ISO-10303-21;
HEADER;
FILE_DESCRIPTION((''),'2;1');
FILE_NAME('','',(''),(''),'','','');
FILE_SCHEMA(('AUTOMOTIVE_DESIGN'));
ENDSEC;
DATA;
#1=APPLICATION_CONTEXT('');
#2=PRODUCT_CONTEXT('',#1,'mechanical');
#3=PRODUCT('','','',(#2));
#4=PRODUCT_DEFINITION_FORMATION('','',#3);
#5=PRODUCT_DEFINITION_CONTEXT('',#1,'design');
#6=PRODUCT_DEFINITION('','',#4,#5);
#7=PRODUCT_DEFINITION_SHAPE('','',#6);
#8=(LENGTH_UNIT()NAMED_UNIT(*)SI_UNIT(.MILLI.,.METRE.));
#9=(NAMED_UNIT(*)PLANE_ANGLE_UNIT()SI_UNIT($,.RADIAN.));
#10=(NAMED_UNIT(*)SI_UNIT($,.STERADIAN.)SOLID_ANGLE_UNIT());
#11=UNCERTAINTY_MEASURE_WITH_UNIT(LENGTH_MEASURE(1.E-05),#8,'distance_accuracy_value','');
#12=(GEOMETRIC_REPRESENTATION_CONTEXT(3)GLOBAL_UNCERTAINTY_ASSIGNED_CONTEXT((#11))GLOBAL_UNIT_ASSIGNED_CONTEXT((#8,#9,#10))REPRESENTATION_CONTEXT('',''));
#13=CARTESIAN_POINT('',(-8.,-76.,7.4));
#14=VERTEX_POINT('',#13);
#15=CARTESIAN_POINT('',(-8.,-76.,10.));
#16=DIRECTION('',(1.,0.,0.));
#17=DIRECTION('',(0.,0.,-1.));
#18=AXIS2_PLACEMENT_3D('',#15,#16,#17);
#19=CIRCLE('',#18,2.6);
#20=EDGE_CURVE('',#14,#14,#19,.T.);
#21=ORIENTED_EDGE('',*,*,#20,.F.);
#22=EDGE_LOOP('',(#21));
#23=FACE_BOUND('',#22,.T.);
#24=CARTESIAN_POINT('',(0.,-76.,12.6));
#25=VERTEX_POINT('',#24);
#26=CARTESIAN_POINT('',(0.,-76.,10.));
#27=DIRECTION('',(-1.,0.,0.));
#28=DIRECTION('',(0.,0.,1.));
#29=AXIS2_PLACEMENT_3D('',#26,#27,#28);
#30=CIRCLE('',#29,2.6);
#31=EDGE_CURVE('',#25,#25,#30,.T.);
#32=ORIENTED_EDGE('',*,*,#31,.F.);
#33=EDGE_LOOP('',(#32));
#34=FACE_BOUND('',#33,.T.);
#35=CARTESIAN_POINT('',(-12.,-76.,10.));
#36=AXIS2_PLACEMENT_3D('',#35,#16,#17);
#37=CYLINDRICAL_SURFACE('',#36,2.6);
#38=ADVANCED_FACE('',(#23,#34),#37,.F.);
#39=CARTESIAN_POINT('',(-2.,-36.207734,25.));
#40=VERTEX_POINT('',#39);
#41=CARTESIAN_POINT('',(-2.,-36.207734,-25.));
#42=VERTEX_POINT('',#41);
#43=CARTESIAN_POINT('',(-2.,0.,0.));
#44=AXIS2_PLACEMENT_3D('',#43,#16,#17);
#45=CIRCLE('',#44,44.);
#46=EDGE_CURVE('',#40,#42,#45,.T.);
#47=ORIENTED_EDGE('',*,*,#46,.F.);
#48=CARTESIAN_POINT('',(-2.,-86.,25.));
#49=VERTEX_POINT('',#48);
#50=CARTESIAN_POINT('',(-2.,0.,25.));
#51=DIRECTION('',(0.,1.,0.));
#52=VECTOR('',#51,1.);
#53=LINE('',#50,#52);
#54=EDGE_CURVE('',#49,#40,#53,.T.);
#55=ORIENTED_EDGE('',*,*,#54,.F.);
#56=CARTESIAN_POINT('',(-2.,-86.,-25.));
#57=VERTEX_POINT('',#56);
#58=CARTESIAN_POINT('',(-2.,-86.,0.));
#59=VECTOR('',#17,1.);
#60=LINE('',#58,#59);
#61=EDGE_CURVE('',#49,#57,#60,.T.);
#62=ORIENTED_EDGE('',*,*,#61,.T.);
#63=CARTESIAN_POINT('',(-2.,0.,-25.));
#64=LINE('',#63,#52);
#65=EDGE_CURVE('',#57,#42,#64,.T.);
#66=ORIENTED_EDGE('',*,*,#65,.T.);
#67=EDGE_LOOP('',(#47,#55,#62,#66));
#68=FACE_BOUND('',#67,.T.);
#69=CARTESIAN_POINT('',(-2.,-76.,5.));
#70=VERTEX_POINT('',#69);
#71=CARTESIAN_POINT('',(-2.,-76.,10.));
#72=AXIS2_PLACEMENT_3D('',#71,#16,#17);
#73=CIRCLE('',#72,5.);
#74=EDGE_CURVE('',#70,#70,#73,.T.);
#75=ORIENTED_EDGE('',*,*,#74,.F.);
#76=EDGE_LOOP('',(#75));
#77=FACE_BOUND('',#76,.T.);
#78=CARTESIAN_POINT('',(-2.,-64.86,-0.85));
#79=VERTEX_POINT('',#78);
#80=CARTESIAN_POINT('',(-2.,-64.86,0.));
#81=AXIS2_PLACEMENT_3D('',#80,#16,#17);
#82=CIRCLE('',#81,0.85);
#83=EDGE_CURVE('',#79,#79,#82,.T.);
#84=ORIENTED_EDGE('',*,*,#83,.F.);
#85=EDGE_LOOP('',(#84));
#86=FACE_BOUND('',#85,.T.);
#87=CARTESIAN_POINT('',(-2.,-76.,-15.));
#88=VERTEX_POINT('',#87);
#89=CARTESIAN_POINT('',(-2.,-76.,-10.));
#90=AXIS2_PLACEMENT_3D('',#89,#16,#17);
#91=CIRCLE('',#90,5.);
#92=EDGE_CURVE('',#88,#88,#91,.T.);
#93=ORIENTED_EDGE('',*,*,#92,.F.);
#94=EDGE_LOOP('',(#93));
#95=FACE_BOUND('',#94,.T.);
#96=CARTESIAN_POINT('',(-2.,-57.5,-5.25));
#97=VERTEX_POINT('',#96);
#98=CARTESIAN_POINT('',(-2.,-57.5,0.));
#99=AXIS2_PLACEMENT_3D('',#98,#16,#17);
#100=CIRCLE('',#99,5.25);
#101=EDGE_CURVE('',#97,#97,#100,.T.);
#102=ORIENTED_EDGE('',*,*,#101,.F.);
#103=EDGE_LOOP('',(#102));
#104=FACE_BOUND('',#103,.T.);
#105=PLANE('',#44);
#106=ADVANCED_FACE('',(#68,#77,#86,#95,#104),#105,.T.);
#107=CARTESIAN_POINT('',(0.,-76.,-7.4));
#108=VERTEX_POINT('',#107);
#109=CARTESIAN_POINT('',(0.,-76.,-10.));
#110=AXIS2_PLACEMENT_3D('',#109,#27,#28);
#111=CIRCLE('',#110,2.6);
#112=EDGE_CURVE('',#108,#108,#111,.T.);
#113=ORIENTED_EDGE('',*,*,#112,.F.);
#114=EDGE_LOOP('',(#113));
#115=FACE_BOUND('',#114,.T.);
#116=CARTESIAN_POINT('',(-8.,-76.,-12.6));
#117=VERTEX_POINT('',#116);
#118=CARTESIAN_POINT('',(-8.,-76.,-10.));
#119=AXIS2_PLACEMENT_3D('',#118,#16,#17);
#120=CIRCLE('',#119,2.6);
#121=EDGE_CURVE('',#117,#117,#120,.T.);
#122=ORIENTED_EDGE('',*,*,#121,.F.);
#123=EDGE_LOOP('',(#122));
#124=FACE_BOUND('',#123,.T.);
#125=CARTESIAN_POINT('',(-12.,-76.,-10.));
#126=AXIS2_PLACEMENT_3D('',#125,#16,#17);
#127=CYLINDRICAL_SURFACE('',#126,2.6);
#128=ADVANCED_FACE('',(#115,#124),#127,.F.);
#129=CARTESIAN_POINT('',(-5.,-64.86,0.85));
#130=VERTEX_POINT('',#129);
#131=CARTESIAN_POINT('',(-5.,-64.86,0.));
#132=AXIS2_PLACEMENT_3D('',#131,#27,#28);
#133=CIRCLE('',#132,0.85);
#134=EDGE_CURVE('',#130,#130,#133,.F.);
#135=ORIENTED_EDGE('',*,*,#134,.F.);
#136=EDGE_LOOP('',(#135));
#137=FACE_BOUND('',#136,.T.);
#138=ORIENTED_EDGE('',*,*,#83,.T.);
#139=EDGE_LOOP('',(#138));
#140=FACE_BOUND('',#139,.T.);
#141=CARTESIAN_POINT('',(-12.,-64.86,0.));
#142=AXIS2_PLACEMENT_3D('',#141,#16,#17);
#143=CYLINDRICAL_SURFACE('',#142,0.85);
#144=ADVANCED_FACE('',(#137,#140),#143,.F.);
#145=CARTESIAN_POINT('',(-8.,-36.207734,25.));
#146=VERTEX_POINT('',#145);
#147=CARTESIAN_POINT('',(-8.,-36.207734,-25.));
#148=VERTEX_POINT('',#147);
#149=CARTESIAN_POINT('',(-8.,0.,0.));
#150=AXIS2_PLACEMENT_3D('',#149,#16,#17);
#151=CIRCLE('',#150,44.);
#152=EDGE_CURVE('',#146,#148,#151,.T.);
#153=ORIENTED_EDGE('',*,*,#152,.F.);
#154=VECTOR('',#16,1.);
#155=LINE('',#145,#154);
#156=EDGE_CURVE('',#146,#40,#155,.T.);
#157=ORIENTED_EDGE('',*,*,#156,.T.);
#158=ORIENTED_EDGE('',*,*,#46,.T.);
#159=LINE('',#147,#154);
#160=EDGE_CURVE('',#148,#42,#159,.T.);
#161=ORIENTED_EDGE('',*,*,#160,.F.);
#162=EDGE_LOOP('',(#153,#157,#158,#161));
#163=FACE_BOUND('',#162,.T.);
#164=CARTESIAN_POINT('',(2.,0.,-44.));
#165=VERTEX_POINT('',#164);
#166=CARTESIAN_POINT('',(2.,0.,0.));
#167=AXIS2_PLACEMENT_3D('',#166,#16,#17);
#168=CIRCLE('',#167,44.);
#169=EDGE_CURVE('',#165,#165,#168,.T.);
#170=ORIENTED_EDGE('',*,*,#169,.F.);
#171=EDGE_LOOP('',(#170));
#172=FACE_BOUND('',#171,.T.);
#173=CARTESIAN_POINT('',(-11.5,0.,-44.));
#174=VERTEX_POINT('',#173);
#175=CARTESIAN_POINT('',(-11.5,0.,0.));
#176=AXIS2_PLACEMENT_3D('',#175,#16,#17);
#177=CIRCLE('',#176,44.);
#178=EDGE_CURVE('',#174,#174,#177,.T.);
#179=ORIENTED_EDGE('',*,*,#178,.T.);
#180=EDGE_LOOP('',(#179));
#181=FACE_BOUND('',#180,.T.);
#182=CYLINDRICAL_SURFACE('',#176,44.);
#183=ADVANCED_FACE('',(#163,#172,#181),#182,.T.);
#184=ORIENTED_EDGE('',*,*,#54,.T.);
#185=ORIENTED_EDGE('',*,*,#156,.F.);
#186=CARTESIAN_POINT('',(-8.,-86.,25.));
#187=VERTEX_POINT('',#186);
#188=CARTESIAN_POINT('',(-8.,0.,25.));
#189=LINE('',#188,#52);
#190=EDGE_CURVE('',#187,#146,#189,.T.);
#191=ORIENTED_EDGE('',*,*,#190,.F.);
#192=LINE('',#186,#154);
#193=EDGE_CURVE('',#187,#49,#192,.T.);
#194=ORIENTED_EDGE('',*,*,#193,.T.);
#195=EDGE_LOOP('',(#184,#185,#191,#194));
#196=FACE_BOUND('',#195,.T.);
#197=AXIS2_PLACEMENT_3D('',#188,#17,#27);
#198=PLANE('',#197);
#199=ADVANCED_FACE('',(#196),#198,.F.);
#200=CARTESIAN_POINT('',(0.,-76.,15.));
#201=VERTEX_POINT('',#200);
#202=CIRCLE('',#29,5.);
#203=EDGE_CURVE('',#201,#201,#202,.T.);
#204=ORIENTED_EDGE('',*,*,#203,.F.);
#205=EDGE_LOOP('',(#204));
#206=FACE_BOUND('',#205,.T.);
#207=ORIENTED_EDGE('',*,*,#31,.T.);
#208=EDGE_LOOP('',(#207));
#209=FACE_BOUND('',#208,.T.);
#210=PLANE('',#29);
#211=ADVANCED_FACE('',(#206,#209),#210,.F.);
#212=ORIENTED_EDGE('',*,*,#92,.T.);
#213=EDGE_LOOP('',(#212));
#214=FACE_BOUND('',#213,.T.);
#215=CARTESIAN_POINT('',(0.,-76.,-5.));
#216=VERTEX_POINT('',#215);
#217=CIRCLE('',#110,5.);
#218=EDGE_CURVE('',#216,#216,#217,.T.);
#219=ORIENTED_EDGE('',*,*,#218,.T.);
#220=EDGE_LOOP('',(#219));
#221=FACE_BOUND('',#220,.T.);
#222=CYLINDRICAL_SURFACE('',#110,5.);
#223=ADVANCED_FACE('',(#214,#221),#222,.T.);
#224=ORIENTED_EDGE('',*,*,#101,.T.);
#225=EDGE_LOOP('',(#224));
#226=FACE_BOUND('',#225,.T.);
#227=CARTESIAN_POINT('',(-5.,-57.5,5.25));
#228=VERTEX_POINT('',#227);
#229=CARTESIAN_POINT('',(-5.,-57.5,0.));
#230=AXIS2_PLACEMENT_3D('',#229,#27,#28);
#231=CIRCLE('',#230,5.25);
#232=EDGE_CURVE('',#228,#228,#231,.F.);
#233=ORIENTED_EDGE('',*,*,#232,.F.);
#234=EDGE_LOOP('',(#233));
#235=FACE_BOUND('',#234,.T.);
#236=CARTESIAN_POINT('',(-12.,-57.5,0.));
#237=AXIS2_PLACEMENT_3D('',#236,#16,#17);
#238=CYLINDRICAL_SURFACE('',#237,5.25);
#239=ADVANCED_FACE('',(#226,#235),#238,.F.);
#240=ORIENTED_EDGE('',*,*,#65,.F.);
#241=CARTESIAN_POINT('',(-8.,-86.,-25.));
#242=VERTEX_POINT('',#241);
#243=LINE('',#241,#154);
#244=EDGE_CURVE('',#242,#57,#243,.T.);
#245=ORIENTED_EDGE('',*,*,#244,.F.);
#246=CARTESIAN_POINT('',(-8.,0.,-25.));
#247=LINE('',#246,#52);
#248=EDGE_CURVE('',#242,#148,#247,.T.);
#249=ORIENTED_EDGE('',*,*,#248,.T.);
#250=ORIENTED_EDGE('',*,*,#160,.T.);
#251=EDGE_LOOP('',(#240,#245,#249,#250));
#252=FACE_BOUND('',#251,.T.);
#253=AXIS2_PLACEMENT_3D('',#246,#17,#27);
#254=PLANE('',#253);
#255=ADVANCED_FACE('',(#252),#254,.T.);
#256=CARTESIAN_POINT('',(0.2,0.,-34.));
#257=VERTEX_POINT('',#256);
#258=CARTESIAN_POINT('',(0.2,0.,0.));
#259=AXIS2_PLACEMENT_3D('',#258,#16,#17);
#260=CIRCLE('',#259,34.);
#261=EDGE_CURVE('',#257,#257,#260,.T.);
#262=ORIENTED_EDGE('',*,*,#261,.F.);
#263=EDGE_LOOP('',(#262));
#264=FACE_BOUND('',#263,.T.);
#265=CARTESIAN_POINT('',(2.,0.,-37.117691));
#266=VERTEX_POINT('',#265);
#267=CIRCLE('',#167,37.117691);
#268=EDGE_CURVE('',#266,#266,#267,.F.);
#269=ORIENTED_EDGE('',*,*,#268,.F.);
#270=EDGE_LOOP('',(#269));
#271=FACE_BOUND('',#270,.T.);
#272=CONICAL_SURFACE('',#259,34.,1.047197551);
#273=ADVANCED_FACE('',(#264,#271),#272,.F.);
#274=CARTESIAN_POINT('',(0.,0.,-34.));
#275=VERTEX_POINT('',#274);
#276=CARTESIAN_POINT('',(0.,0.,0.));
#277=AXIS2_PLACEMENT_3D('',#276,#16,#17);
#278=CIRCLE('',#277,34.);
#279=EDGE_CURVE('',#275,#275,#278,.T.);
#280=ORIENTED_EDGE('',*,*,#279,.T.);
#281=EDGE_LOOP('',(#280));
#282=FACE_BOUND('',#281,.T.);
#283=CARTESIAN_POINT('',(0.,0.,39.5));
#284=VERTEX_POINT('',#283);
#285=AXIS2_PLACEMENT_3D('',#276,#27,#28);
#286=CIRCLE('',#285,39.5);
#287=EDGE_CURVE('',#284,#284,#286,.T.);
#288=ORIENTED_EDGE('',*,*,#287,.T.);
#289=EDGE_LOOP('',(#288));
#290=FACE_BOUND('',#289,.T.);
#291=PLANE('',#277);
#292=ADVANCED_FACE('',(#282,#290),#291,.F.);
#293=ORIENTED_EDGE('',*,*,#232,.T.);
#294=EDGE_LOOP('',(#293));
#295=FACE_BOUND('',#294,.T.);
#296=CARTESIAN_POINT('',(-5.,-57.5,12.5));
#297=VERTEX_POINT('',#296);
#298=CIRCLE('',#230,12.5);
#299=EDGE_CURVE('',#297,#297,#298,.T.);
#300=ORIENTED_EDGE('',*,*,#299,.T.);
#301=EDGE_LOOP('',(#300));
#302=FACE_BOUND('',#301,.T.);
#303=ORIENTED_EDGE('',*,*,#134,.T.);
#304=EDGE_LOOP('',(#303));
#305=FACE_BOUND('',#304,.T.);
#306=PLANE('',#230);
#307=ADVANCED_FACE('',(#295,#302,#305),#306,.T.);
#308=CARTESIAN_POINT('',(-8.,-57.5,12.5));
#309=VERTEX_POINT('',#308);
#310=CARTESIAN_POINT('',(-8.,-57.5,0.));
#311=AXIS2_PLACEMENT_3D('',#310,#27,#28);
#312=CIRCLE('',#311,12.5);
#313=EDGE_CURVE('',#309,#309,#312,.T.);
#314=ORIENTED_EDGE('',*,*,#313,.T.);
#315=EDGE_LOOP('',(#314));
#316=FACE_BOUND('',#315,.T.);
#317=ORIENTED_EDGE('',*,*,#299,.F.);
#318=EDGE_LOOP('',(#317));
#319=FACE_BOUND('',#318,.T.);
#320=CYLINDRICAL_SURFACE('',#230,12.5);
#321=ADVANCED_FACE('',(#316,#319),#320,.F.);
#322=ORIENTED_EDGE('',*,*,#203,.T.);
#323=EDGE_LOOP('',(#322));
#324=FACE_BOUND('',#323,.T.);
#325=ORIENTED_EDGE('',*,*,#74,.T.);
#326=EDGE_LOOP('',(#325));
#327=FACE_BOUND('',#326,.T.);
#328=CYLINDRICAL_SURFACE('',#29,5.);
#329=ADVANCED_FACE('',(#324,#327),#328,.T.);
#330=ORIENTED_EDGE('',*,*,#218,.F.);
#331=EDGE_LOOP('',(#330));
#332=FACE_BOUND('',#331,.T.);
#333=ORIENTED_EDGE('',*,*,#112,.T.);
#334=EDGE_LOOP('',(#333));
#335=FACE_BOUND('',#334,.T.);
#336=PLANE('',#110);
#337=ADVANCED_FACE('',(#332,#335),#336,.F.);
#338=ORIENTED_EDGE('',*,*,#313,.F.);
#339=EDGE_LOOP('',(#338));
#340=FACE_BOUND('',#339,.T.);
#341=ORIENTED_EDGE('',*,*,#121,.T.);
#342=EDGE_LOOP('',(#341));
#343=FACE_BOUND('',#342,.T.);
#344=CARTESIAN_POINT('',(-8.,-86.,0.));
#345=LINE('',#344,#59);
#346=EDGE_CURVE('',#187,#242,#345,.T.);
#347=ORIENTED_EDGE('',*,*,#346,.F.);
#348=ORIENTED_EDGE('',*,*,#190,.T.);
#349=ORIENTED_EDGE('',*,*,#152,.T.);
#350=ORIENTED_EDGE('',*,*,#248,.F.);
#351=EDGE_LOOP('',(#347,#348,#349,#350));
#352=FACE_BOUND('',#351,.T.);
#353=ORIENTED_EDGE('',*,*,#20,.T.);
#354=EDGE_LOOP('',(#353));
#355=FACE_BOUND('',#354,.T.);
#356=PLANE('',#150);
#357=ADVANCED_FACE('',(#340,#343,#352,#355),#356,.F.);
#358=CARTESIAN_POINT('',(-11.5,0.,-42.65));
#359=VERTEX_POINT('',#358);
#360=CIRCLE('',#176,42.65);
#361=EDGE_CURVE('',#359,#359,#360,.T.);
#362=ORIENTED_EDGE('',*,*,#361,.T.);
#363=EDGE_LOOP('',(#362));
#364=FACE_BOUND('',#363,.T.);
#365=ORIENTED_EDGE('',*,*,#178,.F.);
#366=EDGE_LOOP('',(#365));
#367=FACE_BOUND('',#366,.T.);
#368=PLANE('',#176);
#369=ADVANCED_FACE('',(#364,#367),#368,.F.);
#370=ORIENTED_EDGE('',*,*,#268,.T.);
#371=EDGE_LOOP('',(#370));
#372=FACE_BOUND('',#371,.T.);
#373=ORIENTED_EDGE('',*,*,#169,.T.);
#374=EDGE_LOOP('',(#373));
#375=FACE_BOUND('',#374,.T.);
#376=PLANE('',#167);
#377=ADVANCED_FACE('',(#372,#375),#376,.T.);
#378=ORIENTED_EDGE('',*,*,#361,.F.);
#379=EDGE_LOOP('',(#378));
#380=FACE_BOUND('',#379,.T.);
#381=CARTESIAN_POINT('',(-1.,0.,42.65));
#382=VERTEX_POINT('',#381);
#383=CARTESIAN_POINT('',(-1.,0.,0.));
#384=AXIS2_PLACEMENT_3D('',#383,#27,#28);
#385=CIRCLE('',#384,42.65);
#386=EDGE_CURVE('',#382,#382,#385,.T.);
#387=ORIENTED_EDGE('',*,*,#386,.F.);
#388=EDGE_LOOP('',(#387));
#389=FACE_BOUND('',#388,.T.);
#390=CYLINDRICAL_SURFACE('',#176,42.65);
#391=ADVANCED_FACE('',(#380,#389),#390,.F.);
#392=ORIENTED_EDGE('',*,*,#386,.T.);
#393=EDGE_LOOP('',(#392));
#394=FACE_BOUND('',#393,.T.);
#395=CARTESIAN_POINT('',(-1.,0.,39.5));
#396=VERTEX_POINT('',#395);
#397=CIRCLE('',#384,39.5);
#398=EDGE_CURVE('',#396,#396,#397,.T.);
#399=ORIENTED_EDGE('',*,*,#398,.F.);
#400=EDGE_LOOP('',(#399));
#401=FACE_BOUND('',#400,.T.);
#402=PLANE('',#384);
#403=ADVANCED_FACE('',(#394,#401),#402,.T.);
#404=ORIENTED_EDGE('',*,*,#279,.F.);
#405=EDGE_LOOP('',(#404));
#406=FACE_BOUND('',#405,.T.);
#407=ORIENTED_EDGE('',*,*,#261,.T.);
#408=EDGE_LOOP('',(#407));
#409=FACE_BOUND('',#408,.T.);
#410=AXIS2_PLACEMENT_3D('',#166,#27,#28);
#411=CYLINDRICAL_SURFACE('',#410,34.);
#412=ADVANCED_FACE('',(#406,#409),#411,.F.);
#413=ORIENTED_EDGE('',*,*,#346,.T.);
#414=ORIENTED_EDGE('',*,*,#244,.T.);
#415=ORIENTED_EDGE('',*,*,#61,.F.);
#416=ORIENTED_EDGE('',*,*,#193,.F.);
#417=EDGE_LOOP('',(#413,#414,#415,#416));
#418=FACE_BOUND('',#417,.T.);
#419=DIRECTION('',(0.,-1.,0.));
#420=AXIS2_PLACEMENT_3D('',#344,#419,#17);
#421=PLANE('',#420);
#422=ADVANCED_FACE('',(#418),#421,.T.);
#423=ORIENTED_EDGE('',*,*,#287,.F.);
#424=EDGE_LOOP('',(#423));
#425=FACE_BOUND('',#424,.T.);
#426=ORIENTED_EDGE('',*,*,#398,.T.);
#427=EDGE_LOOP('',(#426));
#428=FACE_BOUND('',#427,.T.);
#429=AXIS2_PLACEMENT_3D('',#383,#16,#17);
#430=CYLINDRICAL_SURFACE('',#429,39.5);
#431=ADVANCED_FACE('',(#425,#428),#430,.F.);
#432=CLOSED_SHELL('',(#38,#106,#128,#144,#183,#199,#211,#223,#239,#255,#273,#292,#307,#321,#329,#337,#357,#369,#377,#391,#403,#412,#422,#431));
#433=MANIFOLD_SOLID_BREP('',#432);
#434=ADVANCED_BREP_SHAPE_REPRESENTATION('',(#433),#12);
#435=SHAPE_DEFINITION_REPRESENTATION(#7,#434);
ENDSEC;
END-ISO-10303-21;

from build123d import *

# Parameters (mm, degrees)
SKETCH1_R           = 44
SKETCH1_R_2         = 42.65
BOSS_EXTRUDE1_DEPTH = 11.5
BOSS_EXTRUDE2_START = 2
SKETCH1_2_R         = 44
SKETCH1_2_R_2       = 34
BOSS_EXTRUDE2_DEPTH = 2
BOSS_EXTRUDE3_DEPTH = 6
SKETCH7_R           = 42.65
SKETCH7_R_2         = 39.5
BOSS_EXTRUDE4_DEPTH = 1
SKETCH8_R           = 5.25
SKETCH8_R_2         = 0.85
SKETCH8_R_3         = 2.6
CUT_EXTRUDE3_DEPTH  = 10
SKETCH9_R           = 12.5
CUT_EXTRUDE4_DEPTH  = 3
CHAMFER1_SIZE       = 1.8
CHAMFER1_SIZE2      = 3.117691454
BOSS_EXTRUDE5_START = -2
SKETCH11_R          = 5
SKETCH11_R_2        = 2.6
BOSS_EXTRUDE5_DEPTH = 2


with BuildPart() as part:
    # Sketch1 → Boss-Extrude1 (new body)
    with BuildSketch(Plane(origin=(0, 0, 0), x_dir=(0, 0, -1), z_dir=(1, 0, 0))):
        Circle(SKETCH1_R)
        Circle(SKETCH1_R_2, mode=Mode.SUBTRACT)
    extrude(amount=-BOSS_EXTRUDE1_DEPTH)

    # Sketch1<2> → Boss-Extrude2 (add)
    with BuildSketch(Plane(origin=(0, 0, 0), x_dir=(0, 0, -1), z_dir=(1, 0, 0)).offset(BOSS_EXTRUDE2_START)):
        Circle(SKETCH1_2_R)
        Circle(SKETCH1_2_R_2, mode=Mode.SUBTRACT)
    extrude(amount=-BOSS_EXTRUDE2_DEPTH)

    # Sketch5 → Boss-Extrude3 (add)
    with BuildSketch(Plane(origin=(-2, 0, 0), x_dir=(0, 0, -1), z_dir=(1, 0, 0))):
        with BuildLine():
            Line((-25, -36.20773398), (-25, -86))
            Line((-25, -86), (25, -86))
            Line((25, -86), (25, -36.20773398))
            ThreePointArc((25, -36.20773398), (0, -44), (-25, -36.20773398))
        make_face()
    extrude(amount=-BOSS_EXTRUDE3_DEPTH)

    # Sketch7 → Boss-Extrude4 (add)
    with BuildSketch(Plane.ZY):
        Circle(SKETCH7_R)
        Circle(SKETCH7_R_2, mode=Mode.SUBTRACT)
    extrude(amount=BOSS_EXTRUDE4_DEPTH)

    # Sketch8 → Cut-Extrude3 (cut)
    with BuildSketch(Plane(origin=(-2, 0, 0), x_dir=(0, 0, -1), z_dir=(1, 0, 0))):
        with Locations((0, -57.5)):
            Circle(SKETCH8_R)
        with Locations((0, -64.86)):
            Circle(SKETCH8_R_2)
        with Locations((-10, -76)):
            Circle(SKETCH8_R_3)
        with Locations((10, -76)):
            Circle(SKETCH8_R_3)
    extrude(amount=-CUT_EXTRUDE3_DEPTH, mode=Mode.SUBTRACT)

    # Sketch9 → Cut-Extrude4 (cut)
    with BuildSketch(Plane.ZY.offset(8)):
        with Locations((0, -57.5)):
            Circle(SKETCH9_R)
    extrude(amount=-CUT_EXTRUDE4_DEPTH, mode=Mode.SUBTRACT)

    # Chamfer1
    chamfer1_edges = [part.edges().sort_by_distance(p)[0] for p in [
        (2, 0, 34),
    ]]
    chamfer1_side = [part.faces().sort_by_distance(p)[0] for p in [
        (1, 0, 34),
    ]]
    chamfer(chamfer1_edges, length=CHAMFER1_SIZE, length2=CHAMFER1_SIZE2, reference=chamfer1_side[0])

    # Sketch11 → Boss-Extrude5 (add)
    # profile 1 of 2: a face of its own
    with BuildSketch(Plane.ZY.offset(2).offset(BOSS_EXTRUDE5_START)):
        with Locations((-10, -76)):
            Circle(SKETCH11_R)
        with Locations((-10, -76)):
            Circle(SKETCH11_R_2, mode=Mode.SUBTRACT)
    # profile 2 of 2: a face of its own
    with BuildSketch(Plane.ZY.offset(2).offset(BOSS_EXTRUDE5_START)):
        with Locations((10, -76)):
            Circle(SKETCH11_R)
        with Locations((10, -76)):
            Circle(SKETCH11_R_2, mode=Mode.SUBTRACT)
    extrude(amount=BOSS_EXTRUDE5_DEPTH)


solid = part.part
